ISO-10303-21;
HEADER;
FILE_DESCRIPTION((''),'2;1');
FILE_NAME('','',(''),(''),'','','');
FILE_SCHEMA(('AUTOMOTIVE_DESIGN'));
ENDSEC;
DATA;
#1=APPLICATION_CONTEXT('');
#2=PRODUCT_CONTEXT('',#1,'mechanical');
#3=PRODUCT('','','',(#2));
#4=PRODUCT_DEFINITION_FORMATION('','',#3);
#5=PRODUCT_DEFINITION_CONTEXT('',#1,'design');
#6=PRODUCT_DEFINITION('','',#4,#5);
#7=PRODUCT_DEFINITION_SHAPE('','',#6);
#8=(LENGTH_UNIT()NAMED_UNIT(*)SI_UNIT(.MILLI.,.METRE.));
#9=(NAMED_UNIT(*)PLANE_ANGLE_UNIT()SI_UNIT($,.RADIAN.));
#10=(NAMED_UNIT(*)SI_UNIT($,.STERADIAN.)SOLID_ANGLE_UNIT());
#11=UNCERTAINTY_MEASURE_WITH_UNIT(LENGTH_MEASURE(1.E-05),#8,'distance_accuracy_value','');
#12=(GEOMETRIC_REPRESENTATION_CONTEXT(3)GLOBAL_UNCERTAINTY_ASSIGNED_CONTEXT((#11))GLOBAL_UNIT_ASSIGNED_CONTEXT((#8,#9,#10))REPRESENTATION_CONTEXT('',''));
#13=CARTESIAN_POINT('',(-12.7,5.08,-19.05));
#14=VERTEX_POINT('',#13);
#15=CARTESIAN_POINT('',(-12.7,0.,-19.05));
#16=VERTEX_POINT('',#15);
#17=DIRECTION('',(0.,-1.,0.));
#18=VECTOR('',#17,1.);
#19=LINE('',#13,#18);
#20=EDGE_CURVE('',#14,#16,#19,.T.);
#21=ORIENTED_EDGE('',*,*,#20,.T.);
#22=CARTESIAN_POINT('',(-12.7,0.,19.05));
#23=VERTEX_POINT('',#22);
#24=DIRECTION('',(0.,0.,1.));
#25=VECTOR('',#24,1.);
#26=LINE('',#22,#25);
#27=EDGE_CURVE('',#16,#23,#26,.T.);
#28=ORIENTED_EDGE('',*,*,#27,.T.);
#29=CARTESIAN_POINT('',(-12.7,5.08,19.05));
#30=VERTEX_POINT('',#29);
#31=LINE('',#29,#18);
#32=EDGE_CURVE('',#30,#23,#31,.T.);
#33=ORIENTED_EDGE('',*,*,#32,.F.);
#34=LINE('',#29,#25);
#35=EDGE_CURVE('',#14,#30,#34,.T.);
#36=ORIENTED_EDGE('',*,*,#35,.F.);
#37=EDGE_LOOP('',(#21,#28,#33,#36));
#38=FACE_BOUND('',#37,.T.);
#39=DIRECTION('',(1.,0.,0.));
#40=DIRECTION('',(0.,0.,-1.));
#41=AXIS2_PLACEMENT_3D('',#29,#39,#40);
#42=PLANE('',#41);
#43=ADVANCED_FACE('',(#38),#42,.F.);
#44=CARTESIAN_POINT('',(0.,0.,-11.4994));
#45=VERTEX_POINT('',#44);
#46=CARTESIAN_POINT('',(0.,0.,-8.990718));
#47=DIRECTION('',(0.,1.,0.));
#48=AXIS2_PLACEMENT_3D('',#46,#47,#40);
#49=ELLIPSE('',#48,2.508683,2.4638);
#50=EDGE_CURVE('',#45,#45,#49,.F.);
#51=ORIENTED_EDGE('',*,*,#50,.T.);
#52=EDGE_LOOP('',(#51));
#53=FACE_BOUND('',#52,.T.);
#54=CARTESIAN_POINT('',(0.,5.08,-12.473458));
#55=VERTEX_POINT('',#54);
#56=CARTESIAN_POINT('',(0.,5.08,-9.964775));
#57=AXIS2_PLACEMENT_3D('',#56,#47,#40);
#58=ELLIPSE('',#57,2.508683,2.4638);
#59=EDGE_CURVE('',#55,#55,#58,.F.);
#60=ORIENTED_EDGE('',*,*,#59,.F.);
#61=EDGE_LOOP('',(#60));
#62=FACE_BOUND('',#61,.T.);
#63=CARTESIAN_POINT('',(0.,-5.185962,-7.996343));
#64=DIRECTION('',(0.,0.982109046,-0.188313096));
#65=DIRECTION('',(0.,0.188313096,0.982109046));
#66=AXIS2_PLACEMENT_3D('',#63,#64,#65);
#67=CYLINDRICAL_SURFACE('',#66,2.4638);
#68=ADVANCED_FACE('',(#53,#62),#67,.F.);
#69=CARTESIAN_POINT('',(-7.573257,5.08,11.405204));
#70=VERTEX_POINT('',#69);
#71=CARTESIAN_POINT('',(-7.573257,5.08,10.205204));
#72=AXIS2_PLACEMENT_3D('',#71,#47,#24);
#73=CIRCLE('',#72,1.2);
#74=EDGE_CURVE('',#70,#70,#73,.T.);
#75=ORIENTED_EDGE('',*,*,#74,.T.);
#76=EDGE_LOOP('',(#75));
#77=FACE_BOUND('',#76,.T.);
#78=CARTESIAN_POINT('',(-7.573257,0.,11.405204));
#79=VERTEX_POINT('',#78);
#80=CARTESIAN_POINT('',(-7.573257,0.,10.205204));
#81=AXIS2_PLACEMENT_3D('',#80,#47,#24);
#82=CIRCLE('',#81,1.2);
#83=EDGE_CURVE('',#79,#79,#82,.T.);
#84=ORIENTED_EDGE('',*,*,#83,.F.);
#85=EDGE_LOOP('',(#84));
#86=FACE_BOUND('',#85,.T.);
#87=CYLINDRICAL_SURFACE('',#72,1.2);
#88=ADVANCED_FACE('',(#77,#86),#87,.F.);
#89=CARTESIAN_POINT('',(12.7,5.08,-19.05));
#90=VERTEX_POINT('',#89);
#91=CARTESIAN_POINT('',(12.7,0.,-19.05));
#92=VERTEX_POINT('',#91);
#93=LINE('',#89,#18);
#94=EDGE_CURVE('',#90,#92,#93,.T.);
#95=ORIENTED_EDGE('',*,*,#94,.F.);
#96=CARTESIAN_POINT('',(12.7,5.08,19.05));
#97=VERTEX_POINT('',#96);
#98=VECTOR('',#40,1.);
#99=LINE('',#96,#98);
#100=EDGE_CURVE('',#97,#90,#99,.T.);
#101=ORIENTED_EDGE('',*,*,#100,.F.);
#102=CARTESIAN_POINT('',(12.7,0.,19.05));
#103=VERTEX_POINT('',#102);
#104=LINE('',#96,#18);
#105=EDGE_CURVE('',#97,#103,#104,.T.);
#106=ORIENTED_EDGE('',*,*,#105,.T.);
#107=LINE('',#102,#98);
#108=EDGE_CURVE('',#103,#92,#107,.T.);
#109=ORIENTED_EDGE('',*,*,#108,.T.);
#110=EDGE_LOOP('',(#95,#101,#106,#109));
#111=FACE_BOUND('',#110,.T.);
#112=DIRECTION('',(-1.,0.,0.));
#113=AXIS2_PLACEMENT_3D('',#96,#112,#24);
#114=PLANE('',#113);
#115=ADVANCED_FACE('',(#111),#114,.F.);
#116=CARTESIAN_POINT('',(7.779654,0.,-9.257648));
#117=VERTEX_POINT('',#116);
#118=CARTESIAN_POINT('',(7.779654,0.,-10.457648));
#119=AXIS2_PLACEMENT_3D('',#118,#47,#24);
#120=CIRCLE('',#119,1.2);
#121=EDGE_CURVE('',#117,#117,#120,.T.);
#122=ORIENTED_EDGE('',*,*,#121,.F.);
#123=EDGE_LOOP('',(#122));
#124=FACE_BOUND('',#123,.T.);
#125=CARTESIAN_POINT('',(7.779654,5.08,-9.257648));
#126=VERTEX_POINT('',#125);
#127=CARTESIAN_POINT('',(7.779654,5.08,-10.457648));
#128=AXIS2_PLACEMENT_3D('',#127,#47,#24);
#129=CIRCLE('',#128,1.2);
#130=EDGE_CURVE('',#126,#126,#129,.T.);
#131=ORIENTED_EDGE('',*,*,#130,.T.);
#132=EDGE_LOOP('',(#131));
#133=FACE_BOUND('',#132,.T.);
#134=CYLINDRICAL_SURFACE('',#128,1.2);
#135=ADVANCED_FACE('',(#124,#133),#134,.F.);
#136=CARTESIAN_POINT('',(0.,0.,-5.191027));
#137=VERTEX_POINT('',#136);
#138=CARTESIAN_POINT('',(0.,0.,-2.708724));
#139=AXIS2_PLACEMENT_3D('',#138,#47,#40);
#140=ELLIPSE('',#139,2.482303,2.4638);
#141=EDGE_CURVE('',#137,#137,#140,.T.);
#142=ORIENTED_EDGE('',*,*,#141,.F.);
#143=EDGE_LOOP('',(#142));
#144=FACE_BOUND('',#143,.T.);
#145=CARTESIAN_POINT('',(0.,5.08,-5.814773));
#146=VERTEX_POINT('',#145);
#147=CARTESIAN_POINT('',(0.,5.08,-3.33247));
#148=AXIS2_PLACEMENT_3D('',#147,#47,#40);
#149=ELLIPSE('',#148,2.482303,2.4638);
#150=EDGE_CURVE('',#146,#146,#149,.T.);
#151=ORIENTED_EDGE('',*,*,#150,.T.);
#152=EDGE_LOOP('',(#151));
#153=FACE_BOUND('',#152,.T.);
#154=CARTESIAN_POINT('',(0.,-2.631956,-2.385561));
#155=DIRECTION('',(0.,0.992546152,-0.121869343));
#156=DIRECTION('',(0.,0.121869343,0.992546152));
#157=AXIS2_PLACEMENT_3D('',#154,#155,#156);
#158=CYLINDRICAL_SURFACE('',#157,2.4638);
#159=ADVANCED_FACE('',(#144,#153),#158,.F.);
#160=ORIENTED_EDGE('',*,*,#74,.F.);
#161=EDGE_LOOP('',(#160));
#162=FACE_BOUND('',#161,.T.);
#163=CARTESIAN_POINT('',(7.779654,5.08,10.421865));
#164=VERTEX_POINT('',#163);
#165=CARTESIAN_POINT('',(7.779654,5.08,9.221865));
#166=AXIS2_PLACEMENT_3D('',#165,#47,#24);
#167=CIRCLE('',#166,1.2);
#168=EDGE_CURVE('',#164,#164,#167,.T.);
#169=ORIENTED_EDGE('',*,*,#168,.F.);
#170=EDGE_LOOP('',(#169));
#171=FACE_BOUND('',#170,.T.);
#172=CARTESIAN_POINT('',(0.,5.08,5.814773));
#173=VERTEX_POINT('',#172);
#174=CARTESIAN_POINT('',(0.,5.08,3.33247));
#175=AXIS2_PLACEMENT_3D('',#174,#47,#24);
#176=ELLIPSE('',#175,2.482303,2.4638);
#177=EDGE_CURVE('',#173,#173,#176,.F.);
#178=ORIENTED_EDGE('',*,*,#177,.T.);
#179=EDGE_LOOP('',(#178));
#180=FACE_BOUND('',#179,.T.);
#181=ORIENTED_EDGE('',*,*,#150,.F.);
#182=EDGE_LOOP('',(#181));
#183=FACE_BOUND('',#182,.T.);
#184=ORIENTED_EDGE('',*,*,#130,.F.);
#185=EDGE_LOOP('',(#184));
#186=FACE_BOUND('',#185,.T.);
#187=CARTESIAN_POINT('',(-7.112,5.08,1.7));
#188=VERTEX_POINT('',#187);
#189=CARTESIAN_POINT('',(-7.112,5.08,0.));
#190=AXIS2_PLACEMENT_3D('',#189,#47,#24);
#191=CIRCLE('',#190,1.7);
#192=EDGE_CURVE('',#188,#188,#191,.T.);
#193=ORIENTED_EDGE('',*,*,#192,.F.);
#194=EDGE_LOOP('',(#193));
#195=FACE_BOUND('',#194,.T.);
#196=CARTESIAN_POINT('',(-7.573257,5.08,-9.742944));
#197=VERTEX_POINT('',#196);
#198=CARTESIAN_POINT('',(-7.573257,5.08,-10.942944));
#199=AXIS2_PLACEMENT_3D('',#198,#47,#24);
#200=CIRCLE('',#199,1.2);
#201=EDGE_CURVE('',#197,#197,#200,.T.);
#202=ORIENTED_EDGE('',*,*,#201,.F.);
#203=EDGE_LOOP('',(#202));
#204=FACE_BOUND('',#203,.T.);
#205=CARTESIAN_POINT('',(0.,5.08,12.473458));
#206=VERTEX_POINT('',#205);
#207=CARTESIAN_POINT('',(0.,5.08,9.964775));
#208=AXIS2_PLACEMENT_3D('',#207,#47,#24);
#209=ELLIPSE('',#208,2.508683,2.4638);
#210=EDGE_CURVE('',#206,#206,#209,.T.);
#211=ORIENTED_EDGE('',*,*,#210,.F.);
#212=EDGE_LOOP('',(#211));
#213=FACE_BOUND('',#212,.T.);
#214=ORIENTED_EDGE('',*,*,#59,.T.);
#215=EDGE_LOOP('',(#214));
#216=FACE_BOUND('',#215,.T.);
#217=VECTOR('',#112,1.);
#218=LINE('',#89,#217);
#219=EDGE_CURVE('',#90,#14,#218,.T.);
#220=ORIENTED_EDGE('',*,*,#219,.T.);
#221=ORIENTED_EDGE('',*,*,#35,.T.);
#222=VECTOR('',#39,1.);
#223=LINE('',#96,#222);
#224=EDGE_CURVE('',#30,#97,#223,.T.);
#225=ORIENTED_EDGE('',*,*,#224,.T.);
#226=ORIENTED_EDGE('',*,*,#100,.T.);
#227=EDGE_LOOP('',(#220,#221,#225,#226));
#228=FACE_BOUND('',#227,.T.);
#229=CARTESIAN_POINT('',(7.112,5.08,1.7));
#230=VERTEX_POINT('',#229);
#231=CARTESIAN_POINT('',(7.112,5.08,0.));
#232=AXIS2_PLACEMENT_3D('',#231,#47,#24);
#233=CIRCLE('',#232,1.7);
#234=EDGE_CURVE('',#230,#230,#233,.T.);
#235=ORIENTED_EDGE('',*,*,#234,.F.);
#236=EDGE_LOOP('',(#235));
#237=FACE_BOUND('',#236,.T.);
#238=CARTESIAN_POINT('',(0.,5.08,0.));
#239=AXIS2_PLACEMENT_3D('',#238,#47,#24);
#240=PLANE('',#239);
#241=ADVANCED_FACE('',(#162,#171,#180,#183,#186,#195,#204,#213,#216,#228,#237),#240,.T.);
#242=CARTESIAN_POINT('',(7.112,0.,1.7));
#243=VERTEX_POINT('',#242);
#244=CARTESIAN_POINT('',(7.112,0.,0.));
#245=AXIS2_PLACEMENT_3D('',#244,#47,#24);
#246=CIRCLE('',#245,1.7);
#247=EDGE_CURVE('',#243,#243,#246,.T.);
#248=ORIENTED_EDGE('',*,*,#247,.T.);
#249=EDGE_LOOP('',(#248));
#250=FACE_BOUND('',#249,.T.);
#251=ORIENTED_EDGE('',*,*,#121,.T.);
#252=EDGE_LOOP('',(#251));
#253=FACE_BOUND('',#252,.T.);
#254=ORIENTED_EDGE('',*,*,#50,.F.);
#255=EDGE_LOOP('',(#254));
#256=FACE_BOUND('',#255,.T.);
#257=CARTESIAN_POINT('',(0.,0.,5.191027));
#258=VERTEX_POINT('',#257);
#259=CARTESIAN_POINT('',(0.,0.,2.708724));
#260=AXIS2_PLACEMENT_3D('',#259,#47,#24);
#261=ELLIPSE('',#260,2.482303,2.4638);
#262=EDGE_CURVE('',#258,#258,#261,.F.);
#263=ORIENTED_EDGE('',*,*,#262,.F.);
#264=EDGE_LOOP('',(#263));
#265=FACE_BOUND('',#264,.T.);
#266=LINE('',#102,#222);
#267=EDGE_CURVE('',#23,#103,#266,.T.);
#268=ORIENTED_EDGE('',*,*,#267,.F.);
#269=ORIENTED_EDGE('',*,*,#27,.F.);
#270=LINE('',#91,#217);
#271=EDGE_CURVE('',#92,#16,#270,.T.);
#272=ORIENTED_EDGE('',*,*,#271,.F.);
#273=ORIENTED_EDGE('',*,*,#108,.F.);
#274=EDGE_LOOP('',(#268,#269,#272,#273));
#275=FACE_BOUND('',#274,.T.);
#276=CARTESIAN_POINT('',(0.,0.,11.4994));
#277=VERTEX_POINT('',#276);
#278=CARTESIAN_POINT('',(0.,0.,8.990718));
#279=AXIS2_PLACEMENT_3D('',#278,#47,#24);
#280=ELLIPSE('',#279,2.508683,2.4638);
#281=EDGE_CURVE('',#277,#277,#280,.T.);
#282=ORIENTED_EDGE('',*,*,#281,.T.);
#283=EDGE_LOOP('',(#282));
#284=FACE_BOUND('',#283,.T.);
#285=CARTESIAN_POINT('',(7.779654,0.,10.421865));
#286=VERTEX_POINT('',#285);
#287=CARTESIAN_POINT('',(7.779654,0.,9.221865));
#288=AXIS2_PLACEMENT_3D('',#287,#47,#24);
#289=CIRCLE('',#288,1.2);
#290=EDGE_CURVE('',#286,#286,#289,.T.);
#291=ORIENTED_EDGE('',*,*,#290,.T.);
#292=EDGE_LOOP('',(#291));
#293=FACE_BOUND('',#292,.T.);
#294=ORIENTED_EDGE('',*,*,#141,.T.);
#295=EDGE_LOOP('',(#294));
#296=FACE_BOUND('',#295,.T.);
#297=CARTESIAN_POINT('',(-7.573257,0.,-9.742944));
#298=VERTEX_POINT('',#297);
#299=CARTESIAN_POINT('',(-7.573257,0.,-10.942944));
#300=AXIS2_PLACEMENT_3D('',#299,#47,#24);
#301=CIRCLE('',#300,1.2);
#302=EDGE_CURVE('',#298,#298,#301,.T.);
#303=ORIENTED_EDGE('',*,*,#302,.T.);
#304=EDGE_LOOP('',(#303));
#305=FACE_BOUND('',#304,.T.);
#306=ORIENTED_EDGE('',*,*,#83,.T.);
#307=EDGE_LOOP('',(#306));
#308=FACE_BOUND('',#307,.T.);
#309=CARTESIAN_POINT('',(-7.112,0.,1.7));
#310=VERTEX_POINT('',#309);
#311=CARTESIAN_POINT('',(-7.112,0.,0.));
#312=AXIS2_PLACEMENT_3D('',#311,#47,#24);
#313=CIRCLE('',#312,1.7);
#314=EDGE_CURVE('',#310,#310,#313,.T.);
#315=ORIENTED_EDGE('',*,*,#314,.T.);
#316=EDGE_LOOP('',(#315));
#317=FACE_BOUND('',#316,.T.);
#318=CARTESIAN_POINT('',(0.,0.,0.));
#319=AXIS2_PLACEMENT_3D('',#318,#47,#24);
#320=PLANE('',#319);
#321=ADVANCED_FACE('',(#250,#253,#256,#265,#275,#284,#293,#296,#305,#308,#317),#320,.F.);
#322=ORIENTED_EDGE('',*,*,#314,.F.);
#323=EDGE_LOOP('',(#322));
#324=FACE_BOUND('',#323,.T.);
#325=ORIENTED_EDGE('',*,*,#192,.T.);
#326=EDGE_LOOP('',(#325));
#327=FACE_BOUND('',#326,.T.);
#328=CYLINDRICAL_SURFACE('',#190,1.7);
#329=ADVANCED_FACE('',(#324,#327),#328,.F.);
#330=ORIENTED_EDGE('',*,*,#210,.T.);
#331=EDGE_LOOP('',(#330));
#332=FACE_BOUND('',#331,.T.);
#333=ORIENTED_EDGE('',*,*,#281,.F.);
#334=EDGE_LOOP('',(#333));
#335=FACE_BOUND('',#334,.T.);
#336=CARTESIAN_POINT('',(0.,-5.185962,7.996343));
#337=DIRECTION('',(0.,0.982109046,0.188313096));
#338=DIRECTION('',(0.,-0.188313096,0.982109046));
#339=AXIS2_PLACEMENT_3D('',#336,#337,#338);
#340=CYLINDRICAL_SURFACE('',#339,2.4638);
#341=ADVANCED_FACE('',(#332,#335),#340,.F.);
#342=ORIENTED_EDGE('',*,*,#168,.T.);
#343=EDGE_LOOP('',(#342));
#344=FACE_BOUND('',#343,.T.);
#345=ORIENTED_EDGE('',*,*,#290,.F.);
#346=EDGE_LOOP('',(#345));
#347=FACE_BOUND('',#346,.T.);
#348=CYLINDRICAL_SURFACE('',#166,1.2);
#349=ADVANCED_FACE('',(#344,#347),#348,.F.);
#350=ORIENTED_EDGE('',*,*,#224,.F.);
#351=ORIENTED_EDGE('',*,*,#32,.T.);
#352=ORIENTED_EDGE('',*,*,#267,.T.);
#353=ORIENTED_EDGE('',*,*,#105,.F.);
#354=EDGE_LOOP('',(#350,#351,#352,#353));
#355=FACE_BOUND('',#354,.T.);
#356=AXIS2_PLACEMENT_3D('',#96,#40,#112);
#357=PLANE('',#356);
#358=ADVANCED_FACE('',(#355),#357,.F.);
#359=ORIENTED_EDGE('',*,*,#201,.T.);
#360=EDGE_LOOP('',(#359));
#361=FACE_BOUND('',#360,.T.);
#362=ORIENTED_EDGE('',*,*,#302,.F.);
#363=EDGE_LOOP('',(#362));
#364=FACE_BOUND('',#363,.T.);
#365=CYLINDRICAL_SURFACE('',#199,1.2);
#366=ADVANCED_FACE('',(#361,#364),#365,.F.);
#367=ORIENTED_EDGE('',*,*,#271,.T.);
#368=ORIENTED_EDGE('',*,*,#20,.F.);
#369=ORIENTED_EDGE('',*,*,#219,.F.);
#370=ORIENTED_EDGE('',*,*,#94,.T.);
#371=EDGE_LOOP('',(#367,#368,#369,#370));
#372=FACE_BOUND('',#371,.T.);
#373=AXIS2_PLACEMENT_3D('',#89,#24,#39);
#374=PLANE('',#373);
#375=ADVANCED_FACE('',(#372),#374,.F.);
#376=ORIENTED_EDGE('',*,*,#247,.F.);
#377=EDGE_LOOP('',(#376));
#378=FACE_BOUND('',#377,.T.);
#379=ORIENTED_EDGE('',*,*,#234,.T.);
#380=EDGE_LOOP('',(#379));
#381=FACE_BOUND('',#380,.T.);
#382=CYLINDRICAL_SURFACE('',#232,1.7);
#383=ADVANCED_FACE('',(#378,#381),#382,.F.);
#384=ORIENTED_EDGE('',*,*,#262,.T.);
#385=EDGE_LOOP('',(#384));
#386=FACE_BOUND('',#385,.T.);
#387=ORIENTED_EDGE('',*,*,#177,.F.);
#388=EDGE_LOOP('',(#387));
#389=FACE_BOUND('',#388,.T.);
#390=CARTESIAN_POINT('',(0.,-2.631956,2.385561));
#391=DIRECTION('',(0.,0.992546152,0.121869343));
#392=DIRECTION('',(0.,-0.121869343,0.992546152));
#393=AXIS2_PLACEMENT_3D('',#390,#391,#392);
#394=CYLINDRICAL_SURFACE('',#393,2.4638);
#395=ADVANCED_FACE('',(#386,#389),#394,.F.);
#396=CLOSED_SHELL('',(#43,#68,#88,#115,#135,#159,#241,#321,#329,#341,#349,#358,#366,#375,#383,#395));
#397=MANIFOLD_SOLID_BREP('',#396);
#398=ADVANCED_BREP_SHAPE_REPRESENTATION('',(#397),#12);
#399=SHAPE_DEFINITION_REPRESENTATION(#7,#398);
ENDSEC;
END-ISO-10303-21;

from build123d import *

# Parameters (mm, degrees)
SKETCH2_W                = 25.4
SKETCH2_H                = 38.1
BOSS_EXTRUDE1_DEPTH      = 5.08
CUT_EXTRUDE1_START       = -2.790735945
SKETCH7_R                = 2.4638
CUT_EXTRUDE1_DEPTH       = 11.685356434
CUT_EXTRUDE2_START       = -12.037410464
SKETCH16_R               = 2.4638
CUT_EXTRUDE2_DEPTH       = 14.163842911
M3_CLEARANCE_HOLE1_D     = 3.4
M3_CLEARANCE_HOLE1_DEPTH = 25.4
M3_CLEARANCE_HOLE1_TIP   = 1.021463052
M2_CLEARANCE_HOLE1_D     = 2.4
M2_CLEARANCE_HOLE1_DEPTH = 25.4
M2_CLEARANCE_HOLE1_TIP   = 0.721032743
M2_CLEARANCE_HOLE2_D     = 2.4
M2_CLEARANCE_HOLE2_DEPTH = 25.4
M2_CLEARANCE_HOLE2_TIP   = 0.721032743


with BuildPart() as part:
    # Sketch2 → Boss-Extrude1 (new body)
    with BuildSketch(Plane(origin=(0, 0, 0), x_dir=(1, 0, 0), z_dir=(0, 1, 0))):
        Rectangle(SKETCH2_W, SKETCH2_H)
    extrude(amount=BOSS_EXTRUDE1_DEPTH)

    # Sketch7 → Cut-Extrude1 (cut)
    with BuildSketch(Plane(origin=(12.7, 5.08, 4.3561), x_dir=(-1, 0, 0), z_dir=(0, -0.992546152, -0.121869343)).offset(CUT_EXTRUDE1_START)):
        with Locations((12.7, 1.016)):
            Circle(SKETCH7_R)
    cut_extrude1 = extrude(amount=CUT_EXTRUDE1_DEPTH, mode=Mode.SUBTRACT)

    # Sketch16 → Cut-Extrude2 (cut)
    with BuildSketch(Plane(origin=(12.7, 5.08, 13.0683), x_dir=(1, 0, 0), z_dir=(0, 0.982109046, 0.188313096)).offset(CUT_EXTRUDE2_START)):
        with Locations((-12.7, 3.048)):
            Circle(SKETCH16_R)
    cut_extrude2 = extrude(amount=CUT_EXTRUDE2_DEPTH, mode=Mode.SUBTRACT)

    # Mirror2: Cut-Extrude1, Cut-Extrude2 across plane
    add(cut_extrude1.mirror(Plane(origin=(0, 0, 0), x_dir=(1, 0, 0), z_dir=(0, 0, -1))), mode=Mode.SUBTRACT)
    add(cut_extrude2.mirror(Plane(origin=(0, 0, 0), x_dir=(1, 0, 0), z_dir=(0, 0, -1))), mode=Mode.SUBTRACT)

    # M3 Clearance Hole1
    with Locations(Plane(origin=(0, 5.08, 0), x_dir=(1, 0, 0), z_dir=(0, 1, 0))):
        with Locations((7.112, 0), (-7.112, 0)):
            Hole(M3_CLEARANCE_HOLE1_D / 2, depth=M3_CLEARANCE_HOLE1_DEPTH)
            with Locations((0, 0, -(M3_CLEARANCE_HOLE1_DEPTH + M3_CLEARANCE_HOLE1_TIP / 2))):  # 118° drill point
                Cone(0, M3_CLEARANCE_HOLE1_D / 2, M3_CLEARANCE_HOLE1_TIP, mode=Mode.SUBTRACT)

    # M2 Clearance Hole1
    with Locations(Plane(origin=(0, 5.08, 0), x_dir=(1, 0, 0), z_dir=(0, 1, 0))):
        with Locations((-7.573257477, -10.205203742), (-7.573257477, 10.942943937)):
            Hole(M2_CLEARANCE_HOLE1_D / 2, depth=M2_CLEARANCE_HOLE1_DEPTH)
            with Locations((0, 0, -(M2_CLEARANCE_HOLE1_DEPTH + M2_CLEARANCE_HOLE1_TIP / 2))):  # 118° drill point
                Cone(0, M2_CLEARANCE_HOLE1_D / 2, M2_CLEARANCE_HOLE1_TIP, mode=Mode.SUBTRACT)

    # M2 Clearance Hole2
    with Locations(Plane(origin=(0, 5.08, 0), x_dir=(1, 0, 0), z_dir=(0, 1, 0))):
        with Locations((7.779654049, -9.22186476), (7.779654049, 10.457647724)):
            Hole(M2_CLEARANCE_HOLE2_D / 2, depth=M2_CLEARANCE_HOLE2_DEPTH)
            with Locations((0, 0, -(M2_CLEARANCE_HOLE2_DEPTH + M2_CLEARANCE_HOLE2_TIP / 2))):  # 118° drill point
                Cone(0, M2_CLEARANCE_HOLE2_D / 2, M2_CLEARANCE_HOLE2_TIP, mode=Mode.SUBTRACT)


solid = part.part
